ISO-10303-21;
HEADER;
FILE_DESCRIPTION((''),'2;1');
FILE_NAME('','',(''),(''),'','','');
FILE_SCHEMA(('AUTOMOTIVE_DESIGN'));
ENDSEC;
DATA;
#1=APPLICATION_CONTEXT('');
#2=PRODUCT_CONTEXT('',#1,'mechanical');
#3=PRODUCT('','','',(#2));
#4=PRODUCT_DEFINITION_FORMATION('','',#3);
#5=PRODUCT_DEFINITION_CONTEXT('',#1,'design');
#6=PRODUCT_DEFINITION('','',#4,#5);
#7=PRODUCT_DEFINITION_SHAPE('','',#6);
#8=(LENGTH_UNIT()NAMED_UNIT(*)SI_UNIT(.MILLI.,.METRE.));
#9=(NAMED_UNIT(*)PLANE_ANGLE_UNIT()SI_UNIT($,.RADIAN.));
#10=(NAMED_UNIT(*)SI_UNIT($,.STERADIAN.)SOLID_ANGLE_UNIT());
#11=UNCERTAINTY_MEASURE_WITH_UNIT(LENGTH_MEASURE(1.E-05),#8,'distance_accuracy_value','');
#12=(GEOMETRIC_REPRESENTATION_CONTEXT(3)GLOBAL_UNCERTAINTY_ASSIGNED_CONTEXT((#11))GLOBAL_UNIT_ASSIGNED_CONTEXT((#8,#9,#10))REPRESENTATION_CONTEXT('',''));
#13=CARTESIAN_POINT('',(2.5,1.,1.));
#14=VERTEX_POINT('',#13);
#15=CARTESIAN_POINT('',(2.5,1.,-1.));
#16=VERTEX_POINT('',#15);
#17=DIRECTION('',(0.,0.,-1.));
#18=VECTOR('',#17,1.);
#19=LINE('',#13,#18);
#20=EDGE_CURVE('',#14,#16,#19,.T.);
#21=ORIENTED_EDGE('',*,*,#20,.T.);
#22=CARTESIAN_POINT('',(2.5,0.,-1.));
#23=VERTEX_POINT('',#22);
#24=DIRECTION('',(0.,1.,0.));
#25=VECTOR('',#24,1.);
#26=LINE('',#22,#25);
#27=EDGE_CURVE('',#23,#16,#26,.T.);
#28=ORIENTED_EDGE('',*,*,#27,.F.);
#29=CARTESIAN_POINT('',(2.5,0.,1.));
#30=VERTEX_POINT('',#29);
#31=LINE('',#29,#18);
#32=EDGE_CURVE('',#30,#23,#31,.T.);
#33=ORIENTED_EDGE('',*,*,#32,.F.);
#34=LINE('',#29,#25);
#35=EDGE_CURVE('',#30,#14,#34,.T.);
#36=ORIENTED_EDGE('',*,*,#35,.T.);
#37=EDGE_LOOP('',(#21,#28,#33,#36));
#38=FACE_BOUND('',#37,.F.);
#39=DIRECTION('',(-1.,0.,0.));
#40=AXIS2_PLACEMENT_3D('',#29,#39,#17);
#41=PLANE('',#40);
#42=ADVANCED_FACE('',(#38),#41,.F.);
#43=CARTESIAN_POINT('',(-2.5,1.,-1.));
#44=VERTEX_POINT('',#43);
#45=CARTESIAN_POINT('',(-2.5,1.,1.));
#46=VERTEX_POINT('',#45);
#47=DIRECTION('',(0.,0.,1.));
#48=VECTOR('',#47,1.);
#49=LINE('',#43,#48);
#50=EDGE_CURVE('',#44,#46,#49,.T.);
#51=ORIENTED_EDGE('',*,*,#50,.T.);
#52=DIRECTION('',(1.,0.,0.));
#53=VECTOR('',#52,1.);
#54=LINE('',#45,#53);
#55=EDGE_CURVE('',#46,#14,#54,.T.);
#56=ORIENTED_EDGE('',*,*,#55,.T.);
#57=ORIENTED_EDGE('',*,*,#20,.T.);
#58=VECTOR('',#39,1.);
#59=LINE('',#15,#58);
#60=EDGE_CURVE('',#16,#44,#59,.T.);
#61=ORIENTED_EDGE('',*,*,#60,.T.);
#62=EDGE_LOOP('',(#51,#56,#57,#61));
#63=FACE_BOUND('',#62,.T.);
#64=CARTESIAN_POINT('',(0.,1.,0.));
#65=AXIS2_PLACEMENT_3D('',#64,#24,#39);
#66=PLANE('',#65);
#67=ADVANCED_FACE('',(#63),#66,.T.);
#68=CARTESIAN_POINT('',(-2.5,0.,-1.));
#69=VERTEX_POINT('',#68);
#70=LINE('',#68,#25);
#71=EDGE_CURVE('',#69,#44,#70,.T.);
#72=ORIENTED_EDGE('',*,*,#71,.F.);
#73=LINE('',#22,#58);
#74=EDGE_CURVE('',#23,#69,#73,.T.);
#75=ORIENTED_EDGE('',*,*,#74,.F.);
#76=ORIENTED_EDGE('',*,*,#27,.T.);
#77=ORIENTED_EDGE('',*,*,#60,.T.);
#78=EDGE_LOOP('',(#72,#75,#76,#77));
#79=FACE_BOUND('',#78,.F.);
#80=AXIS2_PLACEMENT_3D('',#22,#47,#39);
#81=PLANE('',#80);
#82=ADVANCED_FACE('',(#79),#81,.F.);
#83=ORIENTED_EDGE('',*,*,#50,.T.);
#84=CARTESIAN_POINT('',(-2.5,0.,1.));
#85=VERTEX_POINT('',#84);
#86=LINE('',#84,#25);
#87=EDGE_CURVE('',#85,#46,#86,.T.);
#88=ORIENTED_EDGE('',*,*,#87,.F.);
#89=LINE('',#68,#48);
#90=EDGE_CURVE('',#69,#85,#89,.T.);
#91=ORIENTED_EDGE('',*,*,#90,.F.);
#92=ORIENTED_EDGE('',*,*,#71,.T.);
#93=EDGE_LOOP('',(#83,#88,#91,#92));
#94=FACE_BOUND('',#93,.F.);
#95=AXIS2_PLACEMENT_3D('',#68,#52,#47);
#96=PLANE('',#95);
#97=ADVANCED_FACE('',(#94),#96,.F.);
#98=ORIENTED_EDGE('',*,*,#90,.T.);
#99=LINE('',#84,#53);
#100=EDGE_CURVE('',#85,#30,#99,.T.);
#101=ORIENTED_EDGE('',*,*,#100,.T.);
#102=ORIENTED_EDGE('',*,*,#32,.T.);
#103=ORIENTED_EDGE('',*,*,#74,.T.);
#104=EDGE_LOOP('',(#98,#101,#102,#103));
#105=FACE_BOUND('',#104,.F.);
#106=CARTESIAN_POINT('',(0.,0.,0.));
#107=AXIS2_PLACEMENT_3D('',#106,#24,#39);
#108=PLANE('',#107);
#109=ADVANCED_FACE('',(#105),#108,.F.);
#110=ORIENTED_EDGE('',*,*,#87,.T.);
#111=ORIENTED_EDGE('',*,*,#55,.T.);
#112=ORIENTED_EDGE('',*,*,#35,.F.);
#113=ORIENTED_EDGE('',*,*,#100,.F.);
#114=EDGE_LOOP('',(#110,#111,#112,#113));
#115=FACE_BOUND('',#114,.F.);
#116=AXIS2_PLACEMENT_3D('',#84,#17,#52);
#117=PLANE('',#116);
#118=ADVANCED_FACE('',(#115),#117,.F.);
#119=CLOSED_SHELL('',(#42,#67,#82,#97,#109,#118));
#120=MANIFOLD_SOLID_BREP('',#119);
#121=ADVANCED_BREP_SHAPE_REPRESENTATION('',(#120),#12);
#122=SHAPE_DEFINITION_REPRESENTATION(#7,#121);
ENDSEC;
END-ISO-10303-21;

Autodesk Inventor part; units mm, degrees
ref_plane "YZ Plane" through (0, 0, 0) normal (1, 0, 0) x (0, 1, 0)
ref_plane "XZ Plane" through (0, 0, 0) normal (0, 1, 0) x (-1, 0, 0)
ref_plane "XY Plane" through (0, 0, 0) normal (0, 0, 1) x (1, 0, 0)
sketch "Sketch1" plane through (0, 0, 0) normal (0, 1, 0) x (-1, 0, 0)
  line L0 (2.5, 1) -> (-2.5, 1)
  line L1 (-2.5, 1) -> (-2.5, -1)
  line L2 (-2.5, -1) -> (2.5, -1)
  line L3 (2.5, -1) -> (2.5, 1)
  point P0 (0, 0)
  dimension "d0" = 5
  dimension "d1" = 2
  dimension "d2" = 2.5
  dimension "d3" = 1
extrude "Extrusion1" add sketch "Sketch1" along normal blind 1
equation "\"d2\" = 0.5 * d0"
equation "\"d3\" = 0.5 * d1"
properties part number "E Component 2" material "Rubber, Silicone"
